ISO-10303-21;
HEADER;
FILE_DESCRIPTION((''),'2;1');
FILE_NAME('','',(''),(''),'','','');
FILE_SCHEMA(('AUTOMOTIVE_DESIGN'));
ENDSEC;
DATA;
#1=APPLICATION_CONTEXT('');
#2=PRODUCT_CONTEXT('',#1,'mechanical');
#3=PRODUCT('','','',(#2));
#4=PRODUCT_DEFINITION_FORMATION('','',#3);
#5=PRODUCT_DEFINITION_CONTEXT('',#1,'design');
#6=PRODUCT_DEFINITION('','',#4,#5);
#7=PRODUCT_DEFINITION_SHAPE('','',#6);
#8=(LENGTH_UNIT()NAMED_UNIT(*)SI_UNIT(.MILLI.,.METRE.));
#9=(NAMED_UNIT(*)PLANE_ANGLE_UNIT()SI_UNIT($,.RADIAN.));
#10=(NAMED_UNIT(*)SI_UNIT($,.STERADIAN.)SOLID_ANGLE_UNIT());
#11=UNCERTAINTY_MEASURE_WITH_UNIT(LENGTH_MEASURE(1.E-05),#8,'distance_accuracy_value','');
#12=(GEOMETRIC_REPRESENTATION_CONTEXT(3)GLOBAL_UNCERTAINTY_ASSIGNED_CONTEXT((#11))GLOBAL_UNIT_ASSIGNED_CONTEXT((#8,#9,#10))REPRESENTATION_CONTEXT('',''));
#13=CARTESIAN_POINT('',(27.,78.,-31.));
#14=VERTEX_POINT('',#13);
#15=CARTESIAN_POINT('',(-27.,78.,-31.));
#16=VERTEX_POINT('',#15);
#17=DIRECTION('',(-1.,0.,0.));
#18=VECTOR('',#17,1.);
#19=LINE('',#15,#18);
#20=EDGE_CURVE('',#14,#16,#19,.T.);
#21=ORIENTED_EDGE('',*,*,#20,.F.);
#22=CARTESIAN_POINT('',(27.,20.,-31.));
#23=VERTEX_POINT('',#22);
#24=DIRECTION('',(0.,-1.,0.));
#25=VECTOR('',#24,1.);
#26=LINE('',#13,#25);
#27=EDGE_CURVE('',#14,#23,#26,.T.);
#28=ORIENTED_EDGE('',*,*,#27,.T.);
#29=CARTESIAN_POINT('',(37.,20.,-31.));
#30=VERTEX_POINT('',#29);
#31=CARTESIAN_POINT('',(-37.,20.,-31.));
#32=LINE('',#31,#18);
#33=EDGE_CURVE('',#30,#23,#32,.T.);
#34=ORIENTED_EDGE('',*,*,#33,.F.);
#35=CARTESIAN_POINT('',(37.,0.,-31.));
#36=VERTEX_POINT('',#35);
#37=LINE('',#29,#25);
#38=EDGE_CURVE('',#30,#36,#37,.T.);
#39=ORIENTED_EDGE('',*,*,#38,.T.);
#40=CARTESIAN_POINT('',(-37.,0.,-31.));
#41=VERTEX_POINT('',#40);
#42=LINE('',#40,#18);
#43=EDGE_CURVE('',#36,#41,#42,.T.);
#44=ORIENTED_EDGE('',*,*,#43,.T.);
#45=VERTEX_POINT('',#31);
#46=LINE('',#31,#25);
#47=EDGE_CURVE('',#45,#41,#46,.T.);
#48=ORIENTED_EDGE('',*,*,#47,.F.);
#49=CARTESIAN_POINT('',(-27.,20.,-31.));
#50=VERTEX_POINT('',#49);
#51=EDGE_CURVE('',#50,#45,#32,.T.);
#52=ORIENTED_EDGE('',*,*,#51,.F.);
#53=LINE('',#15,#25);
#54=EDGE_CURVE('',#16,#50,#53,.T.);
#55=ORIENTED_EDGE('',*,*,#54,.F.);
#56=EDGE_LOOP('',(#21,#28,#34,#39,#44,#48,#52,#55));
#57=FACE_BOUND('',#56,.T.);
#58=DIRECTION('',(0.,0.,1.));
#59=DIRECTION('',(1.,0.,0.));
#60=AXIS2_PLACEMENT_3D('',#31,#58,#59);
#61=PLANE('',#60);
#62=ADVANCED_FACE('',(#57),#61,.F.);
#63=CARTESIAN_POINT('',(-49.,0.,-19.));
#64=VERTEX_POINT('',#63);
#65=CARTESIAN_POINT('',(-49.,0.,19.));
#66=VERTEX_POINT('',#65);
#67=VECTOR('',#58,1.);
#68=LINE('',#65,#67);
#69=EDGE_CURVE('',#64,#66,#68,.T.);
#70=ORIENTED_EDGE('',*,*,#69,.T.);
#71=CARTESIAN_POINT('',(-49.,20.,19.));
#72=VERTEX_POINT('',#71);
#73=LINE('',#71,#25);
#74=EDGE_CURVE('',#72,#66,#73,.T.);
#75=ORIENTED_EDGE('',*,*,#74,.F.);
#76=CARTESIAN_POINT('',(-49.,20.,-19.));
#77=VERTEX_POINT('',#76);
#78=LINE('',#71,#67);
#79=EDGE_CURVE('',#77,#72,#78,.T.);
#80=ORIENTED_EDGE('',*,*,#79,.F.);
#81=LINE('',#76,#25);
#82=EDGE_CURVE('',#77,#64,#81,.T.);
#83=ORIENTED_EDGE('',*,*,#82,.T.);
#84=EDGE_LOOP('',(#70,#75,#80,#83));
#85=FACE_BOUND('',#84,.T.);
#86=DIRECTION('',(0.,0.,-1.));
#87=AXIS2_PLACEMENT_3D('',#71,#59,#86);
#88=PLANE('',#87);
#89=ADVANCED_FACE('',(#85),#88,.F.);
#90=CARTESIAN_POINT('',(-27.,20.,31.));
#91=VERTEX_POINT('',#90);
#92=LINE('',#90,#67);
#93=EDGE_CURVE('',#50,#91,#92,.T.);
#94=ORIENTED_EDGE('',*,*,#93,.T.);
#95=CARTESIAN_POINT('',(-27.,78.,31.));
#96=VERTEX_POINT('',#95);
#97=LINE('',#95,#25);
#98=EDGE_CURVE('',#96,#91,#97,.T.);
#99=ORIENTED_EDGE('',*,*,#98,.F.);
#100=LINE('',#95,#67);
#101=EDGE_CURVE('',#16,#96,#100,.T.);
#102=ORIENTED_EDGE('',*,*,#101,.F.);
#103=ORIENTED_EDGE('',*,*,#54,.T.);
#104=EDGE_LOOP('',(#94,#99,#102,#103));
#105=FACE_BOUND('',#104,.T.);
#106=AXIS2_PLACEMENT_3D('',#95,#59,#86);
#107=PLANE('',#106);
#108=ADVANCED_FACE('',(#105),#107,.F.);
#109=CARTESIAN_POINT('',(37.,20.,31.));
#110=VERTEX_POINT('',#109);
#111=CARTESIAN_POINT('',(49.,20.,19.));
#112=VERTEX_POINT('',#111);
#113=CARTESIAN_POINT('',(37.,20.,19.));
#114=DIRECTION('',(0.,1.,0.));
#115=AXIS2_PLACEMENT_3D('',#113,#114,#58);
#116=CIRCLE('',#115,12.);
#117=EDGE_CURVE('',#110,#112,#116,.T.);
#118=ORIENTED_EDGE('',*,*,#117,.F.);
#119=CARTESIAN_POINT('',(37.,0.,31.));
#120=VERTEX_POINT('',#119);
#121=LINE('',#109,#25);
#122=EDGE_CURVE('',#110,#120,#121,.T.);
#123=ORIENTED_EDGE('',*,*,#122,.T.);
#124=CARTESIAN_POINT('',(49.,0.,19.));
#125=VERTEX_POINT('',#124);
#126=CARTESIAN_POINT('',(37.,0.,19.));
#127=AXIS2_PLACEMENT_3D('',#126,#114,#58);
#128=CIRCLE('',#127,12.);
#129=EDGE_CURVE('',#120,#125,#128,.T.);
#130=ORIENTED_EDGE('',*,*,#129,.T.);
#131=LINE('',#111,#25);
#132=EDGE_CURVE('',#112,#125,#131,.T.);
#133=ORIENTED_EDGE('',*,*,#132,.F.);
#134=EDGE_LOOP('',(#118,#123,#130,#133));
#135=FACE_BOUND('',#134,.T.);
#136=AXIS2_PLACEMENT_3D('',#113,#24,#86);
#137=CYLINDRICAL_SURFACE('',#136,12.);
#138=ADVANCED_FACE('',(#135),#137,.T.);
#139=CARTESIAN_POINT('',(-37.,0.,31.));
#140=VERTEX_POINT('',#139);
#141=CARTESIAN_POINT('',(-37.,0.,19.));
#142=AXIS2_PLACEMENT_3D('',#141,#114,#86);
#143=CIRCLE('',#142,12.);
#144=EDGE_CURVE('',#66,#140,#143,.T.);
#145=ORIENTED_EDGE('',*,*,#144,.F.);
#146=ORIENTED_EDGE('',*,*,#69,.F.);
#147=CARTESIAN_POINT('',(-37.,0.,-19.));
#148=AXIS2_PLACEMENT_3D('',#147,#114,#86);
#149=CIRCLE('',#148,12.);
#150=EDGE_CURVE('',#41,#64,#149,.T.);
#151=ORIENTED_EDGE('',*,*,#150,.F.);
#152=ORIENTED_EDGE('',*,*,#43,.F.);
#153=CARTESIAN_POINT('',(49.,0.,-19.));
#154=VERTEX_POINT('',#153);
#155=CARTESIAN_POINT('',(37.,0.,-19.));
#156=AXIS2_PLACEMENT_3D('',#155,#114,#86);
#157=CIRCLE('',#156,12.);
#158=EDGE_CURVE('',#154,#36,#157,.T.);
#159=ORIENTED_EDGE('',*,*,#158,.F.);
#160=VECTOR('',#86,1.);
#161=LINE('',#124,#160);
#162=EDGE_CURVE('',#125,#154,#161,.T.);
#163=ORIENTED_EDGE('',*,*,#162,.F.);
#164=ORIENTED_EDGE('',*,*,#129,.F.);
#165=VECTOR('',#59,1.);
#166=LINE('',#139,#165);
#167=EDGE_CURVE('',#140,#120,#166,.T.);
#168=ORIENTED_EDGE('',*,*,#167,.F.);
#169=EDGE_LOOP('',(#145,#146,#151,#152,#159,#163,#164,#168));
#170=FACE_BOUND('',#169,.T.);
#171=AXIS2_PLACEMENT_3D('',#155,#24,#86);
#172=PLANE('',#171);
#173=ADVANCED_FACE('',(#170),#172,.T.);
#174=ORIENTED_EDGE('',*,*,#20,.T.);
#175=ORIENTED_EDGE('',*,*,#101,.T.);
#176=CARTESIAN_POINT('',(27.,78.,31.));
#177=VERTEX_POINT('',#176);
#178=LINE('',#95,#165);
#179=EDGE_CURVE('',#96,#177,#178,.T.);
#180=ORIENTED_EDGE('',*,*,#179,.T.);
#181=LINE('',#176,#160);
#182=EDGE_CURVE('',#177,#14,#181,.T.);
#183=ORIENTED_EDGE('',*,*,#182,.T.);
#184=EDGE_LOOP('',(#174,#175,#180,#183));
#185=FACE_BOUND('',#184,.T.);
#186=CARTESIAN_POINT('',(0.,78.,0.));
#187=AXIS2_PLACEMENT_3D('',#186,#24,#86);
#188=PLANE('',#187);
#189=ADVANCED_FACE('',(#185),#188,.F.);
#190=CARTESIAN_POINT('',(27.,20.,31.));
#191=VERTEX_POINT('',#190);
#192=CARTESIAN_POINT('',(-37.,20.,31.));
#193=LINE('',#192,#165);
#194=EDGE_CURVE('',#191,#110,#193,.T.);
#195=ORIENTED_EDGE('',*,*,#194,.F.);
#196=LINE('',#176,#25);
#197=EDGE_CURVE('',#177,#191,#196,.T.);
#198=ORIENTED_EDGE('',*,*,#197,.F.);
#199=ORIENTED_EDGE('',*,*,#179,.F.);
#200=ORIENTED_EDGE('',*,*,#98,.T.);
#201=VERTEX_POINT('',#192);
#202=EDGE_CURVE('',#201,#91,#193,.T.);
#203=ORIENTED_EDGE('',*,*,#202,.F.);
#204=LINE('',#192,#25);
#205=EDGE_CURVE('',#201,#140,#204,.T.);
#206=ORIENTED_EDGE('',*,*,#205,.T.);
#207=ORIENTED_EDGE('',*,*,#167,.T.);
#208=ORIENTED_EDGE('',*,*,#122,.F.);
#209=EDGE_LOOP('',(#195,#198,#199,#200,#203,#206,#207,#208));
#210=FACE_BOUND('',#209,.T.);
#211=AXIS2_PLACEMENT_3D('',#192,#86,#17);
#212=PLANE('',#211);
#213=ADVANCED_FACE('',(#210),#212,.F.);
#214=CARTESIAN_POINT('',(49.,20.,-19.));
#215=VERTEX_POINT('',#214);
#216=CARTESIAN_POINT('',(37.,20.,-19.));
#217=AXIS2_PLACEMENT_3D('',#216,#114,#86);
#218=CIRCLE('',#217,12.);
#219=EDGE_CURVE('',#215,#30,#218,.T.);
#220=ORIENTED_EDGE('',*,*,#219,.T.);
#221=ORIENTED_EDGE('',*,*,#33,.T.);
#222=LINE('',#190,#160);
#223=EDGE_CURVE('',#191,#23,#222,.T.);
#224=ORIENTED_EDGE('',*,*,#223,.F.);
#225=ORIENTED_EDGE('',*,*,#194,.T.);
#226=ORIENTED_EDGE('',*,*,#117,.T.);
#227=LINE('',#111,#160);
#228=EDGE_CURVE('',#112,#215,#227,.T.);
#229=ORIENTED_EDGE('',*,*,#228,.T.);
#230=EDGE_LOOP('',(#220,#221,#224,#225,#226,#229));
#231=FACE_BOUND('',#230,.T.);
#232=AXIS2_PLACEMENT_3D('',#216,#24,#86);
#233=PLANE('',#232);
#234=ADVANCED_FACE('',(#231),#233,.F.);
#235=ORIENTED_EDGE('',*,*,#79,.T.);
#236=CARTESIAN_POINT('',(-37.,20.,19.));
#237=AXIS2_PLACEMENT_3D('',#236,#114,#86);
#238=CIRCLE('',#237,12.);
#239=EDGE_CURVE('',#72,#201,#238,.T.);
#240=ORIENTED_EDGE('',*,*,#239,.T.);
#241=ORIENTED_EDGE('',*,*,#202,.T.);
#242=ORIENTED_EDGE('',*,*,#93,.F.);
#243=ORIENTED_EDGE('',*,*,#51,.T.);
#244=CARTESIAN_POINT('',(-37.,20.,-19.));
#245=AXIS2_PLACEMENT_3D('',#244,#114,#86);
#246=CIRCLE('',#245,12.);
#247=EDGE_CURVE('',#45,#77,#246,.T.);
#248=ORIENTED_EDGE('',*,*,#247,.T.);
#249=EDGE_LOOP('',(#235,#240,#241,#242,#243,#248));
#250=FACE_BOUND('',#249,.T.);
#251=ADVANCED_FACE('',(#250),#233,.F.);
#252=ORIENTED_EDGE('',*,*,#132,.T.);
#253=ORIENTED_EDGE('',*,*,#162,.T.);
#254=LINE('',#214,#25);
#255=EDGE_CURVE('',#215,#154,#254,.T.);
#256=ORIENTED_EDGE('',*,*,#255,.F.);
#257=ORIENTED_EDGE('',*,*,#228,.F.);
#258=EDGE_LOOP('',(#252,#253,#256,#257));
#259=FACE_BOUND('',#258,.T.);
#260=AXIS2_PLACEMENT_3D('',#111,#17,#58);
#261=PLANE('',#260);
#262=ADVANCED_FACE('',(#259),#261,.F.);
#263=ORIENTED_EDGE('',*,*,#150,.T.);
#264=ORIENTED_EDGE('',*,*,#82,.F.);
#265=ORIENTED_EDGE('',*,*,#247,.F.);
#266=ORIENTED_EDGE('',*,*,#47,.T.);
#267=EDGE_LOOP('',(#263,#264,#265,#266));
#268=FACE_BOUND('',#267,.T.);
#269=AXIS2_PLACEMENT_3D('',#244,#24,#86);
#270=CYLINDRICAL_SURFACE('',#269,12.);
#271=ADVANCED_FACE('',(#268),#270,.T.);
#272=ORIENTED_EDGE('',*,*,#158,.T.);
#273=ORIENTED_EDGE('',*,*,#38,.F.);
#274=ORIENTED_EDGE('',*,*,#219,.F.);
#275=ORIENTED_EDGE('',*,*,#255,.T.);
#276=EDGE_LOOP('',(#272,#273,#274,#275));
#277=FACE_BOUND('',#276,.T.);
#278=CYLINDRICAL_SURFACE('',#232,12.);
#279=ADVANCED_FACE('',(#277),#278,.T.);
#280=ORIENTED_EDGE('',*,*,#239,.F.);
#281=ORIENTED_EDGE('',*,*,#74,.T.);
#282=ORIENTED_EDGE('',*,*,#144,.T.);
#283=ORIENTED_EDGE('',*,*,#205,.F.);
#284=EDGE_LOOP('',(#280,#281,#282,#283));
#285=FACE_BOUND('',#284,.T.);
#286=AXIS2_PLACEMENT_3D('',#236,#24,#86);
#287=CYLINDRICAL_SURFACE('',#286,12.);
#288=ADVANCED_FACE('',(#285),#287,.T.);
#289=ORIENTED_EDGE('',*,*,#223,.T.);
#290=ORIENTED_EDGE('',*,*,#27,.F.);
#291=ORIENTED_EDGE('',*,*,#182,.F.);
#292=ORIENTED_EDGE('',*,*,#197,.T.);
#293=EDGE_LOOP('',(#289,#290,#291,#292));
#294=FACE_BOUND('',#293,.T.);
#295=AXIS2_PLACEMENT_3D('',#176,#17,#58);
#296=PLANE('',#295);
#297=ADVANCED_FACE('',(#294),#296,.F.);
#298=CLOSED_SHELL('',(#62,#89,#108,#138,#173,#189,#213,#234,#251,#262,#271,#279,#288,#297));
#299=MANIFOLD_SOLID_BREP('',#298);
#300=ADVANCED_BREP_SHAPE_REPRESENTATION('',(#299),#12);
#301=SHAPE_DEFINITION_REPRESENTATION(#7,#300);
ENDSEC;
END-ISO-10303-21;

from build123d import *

# Parameters (mm, degrees)
EXTRUDE_1_DEPTH = 20
SKETCH_3_W      = 54
SKETCH_3_H      = 62
EXTRUDE_2_DEPTH = 58


with BuildPart() as part:
    # Эскиз2 → Бобышка-Вытянуть1 (new body)
    with BuildSketch(Plane(origin=(0, 0, 0), x_dir=(1, 0, 0), z_dir=(0, 1, 0))):
        with BuildLine():
            Line((-37, -31), (37, -31))
            ThreePointArc((37, -31), (45.485281374, -27.485281374), (49, -19))
            Line((49, -19), (49, 19))
            ThreePointArc((49, 19), (45.485281374, 27.485281374), (37, 31))
            Line((37, 31), (-37, 31))
            ThreePointArc((-37, 31), (-45.485281374, 27.485281374), (-49, 19))
            Line((-49, 19), (-49, -19))
            ThreePointArc((-49, -19), (-45.485281374, -27.485281374), (-37, -31))
        make_face()
    extrude(amount=EXTRUDE_1_DEPTH)

    # Эскиз3 → Бобышка-Вытянуть2 (add)
    with BuildSketch(Plane(origin=(0, 20, 0), x_dir=(1, 0, 0), z_dir=(0, 1, 0))):
        Rectangle(SKETCH_3_W, SKETCH_3_H)
    extrude(amount=EXTRUDE_2_DEPTH)


solid = part.part
